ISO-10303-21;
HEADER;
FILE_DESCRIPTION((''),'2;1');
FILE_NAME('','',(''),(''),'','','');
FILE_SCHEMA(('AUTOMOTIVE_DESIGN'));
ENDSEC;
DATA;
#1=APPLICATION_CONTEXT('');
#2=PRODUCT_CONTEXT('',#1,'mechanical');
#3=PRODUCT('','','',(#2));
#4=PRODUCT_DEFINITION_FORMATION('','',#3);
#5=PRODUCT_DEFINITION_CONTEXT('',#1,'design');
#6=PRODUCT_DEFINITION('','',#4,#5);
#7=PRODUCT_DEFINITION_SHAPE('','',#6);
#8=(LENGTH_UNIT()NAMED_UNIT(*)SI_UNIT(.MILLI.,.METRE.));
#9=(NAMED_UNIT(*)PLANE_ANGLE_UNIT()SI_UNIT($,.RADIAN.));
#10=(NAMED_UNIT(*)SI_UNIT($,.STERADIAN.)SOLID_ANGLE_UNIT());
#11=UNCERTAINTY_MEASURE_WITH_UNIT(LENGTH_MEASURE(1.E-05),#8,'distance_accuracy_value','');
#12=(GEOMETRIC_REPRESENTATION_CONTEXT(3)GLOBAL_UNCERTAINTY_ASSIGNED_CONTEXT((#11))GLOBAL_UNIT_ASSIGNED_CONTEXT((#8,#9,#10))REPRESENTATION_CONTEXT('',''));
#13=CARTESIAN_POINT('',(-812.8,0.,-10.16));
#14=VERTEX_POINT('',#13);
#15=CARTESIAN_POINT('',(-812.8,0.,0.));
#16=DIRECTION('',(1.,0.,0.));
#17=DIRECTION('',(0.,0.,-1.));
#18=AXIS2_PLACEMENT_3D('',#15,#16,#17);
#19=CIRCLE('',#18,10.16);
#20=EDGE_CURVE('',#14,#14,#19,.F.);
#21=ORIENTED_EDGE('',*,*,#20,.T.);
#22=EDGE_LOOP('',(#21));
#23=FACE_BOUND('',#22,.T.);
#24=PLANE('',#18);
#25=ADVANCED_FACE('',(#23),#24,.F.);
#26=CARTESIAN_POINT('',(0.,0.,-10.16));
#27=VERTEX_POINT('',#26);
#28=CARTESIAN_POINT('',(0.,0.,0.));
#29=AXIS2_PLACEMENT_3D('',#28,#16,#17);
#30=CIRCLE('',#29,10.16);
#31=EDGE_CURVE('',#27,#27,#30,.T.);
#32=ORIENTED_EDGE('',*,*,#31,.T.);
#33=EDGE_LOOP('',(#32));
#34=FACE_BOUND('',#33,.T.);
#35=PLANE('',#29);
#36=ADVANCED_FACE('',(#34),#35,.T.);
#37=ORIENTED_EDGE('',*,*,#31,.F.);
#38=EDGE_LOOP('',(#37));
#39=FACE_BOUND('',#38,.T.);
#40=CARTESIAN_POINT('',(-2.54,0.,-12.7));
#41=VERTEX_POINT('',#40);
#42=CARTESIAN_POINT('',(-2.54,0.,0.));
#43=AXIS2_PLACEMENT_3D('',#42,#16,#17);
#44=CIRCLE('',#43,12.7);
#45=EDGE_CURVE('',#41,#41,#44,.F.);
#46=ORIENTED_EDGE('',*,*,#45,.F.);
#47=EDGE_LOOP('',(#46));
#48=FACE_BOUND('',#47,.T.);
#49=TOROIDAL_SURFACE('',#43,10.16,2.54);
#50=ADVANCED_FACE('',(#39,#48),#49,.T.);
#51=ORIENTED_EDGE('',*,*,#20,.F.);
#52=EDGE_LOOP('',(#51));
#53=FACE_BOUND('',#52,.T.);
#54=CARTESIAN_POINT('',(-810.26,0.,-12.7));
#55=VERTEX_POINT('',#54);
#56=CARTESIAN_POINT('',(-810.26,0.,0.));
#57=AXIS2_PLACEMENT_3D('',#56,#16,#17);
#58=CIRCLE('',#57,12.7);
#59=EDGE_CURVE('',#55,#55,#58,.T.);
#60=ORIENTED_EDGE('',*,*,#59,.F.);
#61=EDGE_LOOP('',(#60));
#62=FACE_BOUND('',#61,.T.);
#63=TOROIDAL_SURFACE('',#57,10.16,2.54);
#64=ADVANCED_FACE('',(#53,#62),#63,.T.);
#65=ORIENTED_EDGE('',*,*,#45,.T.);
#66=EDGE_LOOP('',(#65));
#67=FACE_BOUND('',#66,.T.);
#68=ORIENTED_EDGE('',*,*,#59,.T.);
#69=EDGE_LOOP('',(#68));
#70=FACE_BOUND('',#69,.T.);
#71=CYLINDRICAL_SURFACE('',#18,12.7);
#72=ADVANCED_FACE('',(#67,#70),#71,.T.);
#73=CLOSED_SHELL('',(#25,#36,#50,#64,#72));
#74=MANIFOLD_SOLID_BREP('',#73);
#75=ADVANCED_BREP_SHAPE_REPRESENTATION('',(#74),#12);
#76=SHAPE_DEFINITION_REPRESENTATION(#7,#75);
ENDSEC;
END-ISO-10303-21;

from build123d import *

# Parameters (mm, degrees)
SKETCH1_R           = 12.7
BOSS_EXTRUDE1_DEPTH = 812.8
FILLET1_R           = 2.54


with BuildPart() as part:
    # Sketch1 → Boss-Extrude1 (new body)
    with BuildSketch(Plane(origin=(0, 0, 0), x_dir=(0, 0, -1), z_dir=(1, 0, 0))):
        Circle(SKETCH1_R)
    extrude(amount=-BOSS_EXTRUDE1_DEPTH)

    # Fillet1
    fillet1_edges = [part.edges().sort_by_distance(p)[0] for p in [
        (0, 0, 12.7),
        (-812.8, 0, 12.7),
    ]]
    fillet(fillet1_edges, radius=FILLET1_R)


solid = part.part
